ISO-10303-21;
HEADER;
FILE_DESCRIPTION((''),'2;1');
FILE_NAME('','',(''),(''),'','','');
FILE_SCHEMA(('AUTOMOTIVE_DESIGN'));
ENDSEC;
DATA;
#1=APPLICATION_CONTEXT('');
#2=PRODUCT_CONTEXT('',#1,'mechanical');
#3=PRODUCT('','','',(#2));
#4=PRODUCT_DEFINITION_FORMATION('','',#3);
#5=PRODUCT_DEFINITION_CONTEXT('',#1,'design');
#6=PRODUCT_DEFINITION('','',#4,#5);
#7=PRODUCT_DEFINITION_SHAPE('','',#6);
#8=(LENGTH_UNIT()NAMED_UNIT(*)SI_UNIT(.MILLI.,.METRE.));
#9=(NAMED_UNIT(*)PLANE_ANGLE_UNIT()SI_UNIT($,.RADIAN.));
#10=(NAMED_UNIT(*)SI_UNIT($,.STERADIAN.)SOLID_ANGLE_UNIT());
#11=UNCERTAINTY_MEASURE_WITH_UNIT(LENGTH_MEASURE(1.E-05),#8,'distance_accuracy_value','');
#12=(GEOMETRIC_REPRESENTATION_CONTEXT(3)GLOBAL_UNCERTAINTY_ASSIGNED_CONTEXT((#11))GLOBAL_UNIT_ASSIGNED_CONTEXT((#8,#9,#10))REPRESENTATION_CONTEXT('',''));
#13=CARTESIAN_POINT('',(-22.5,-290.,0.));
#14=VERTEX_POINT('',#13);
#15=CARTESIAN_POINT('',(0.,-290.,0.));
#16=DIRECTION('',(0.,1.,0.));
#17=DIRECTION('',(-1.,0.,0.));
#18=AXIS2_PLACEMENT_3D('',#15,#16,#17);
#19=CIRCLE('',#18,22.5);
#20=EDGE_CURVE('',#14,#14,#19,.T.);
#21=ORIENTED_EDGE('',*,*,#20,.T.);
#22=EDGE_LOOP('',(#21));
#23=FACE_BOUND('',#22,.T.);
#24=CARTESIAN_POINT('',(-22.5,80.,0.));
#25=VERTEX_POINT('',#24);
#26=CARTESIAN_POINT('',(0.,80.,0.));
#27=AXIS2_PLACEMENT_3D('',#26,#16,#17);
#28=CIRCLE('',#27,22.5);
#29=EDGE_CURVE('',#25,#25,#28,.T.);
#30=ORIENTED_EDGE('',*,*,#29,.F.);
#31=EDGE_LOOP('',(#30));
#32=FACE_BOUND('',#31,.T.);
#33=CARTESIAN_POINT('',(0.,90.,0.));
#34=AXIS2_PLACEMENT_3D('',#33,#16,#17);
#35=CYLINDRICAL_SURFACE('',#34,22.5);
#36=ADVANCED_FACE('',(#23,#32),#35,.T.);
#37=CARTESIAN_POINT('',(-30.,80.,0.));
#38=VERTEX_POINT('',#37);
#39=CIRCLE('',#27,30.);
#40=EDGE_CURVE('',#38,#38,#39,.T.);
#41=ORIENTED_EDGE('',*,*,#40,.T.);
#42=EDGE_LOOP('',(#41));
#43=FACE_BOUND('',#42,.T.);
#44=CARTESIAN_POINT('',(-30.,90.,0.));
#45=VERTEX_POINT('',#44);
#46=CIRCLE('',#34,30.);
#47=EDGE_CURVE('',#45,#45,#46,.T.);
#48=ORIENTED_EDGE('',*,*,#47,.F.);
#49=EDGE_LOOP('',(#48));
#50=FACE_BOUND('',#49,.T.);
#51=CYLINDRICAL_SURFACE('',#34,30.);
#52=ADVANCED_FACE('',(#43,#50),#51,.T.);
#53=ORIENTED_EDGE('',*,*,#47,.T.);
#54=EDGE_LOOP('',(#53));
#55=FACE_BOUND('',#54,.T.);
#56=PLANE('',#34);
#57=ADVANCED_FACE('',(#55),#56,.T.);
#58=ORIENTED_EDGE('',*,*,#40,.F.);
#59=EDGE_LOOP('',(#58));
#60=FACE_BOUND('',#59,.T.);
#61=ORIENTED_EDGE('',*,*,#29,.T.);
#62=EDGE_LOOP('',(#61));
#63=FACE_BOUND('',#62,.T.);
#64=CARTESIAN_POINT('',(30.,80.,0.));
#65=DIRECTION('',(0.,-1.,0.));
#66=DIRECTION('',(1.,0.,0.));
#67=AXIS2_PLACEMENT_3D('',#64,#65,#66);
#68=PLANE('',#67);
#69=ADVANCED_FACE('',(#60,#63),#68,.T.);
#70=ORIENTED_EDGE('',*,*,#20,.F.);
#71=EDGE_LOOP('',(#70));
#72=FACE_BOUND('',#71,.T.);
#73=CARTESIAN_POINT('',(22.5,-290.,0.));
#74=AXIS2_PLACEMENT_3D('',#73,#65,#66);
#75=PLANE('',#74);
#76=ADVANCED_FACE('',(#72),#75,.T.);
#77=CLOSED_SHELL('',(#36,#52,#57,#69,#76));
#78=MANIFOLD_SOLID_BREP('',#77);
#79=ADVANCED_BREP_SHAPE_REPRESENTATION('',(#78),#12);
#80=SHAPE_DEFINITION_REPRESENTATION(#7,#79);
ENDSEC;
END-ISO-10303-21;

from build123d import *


with BuildPart() as part:
    # Sketch2 → Base-Revolve (revolve)
    with BuildSketch(Plane.XY):
        Polygon((0, 90), (0, -290), (22.5, -290), (22.5, 80), (30, 80), (30, 90), align=None)
    revolve(axis=Axis((0, 90, 0), (0, -1, 0)))


solid = part.part
